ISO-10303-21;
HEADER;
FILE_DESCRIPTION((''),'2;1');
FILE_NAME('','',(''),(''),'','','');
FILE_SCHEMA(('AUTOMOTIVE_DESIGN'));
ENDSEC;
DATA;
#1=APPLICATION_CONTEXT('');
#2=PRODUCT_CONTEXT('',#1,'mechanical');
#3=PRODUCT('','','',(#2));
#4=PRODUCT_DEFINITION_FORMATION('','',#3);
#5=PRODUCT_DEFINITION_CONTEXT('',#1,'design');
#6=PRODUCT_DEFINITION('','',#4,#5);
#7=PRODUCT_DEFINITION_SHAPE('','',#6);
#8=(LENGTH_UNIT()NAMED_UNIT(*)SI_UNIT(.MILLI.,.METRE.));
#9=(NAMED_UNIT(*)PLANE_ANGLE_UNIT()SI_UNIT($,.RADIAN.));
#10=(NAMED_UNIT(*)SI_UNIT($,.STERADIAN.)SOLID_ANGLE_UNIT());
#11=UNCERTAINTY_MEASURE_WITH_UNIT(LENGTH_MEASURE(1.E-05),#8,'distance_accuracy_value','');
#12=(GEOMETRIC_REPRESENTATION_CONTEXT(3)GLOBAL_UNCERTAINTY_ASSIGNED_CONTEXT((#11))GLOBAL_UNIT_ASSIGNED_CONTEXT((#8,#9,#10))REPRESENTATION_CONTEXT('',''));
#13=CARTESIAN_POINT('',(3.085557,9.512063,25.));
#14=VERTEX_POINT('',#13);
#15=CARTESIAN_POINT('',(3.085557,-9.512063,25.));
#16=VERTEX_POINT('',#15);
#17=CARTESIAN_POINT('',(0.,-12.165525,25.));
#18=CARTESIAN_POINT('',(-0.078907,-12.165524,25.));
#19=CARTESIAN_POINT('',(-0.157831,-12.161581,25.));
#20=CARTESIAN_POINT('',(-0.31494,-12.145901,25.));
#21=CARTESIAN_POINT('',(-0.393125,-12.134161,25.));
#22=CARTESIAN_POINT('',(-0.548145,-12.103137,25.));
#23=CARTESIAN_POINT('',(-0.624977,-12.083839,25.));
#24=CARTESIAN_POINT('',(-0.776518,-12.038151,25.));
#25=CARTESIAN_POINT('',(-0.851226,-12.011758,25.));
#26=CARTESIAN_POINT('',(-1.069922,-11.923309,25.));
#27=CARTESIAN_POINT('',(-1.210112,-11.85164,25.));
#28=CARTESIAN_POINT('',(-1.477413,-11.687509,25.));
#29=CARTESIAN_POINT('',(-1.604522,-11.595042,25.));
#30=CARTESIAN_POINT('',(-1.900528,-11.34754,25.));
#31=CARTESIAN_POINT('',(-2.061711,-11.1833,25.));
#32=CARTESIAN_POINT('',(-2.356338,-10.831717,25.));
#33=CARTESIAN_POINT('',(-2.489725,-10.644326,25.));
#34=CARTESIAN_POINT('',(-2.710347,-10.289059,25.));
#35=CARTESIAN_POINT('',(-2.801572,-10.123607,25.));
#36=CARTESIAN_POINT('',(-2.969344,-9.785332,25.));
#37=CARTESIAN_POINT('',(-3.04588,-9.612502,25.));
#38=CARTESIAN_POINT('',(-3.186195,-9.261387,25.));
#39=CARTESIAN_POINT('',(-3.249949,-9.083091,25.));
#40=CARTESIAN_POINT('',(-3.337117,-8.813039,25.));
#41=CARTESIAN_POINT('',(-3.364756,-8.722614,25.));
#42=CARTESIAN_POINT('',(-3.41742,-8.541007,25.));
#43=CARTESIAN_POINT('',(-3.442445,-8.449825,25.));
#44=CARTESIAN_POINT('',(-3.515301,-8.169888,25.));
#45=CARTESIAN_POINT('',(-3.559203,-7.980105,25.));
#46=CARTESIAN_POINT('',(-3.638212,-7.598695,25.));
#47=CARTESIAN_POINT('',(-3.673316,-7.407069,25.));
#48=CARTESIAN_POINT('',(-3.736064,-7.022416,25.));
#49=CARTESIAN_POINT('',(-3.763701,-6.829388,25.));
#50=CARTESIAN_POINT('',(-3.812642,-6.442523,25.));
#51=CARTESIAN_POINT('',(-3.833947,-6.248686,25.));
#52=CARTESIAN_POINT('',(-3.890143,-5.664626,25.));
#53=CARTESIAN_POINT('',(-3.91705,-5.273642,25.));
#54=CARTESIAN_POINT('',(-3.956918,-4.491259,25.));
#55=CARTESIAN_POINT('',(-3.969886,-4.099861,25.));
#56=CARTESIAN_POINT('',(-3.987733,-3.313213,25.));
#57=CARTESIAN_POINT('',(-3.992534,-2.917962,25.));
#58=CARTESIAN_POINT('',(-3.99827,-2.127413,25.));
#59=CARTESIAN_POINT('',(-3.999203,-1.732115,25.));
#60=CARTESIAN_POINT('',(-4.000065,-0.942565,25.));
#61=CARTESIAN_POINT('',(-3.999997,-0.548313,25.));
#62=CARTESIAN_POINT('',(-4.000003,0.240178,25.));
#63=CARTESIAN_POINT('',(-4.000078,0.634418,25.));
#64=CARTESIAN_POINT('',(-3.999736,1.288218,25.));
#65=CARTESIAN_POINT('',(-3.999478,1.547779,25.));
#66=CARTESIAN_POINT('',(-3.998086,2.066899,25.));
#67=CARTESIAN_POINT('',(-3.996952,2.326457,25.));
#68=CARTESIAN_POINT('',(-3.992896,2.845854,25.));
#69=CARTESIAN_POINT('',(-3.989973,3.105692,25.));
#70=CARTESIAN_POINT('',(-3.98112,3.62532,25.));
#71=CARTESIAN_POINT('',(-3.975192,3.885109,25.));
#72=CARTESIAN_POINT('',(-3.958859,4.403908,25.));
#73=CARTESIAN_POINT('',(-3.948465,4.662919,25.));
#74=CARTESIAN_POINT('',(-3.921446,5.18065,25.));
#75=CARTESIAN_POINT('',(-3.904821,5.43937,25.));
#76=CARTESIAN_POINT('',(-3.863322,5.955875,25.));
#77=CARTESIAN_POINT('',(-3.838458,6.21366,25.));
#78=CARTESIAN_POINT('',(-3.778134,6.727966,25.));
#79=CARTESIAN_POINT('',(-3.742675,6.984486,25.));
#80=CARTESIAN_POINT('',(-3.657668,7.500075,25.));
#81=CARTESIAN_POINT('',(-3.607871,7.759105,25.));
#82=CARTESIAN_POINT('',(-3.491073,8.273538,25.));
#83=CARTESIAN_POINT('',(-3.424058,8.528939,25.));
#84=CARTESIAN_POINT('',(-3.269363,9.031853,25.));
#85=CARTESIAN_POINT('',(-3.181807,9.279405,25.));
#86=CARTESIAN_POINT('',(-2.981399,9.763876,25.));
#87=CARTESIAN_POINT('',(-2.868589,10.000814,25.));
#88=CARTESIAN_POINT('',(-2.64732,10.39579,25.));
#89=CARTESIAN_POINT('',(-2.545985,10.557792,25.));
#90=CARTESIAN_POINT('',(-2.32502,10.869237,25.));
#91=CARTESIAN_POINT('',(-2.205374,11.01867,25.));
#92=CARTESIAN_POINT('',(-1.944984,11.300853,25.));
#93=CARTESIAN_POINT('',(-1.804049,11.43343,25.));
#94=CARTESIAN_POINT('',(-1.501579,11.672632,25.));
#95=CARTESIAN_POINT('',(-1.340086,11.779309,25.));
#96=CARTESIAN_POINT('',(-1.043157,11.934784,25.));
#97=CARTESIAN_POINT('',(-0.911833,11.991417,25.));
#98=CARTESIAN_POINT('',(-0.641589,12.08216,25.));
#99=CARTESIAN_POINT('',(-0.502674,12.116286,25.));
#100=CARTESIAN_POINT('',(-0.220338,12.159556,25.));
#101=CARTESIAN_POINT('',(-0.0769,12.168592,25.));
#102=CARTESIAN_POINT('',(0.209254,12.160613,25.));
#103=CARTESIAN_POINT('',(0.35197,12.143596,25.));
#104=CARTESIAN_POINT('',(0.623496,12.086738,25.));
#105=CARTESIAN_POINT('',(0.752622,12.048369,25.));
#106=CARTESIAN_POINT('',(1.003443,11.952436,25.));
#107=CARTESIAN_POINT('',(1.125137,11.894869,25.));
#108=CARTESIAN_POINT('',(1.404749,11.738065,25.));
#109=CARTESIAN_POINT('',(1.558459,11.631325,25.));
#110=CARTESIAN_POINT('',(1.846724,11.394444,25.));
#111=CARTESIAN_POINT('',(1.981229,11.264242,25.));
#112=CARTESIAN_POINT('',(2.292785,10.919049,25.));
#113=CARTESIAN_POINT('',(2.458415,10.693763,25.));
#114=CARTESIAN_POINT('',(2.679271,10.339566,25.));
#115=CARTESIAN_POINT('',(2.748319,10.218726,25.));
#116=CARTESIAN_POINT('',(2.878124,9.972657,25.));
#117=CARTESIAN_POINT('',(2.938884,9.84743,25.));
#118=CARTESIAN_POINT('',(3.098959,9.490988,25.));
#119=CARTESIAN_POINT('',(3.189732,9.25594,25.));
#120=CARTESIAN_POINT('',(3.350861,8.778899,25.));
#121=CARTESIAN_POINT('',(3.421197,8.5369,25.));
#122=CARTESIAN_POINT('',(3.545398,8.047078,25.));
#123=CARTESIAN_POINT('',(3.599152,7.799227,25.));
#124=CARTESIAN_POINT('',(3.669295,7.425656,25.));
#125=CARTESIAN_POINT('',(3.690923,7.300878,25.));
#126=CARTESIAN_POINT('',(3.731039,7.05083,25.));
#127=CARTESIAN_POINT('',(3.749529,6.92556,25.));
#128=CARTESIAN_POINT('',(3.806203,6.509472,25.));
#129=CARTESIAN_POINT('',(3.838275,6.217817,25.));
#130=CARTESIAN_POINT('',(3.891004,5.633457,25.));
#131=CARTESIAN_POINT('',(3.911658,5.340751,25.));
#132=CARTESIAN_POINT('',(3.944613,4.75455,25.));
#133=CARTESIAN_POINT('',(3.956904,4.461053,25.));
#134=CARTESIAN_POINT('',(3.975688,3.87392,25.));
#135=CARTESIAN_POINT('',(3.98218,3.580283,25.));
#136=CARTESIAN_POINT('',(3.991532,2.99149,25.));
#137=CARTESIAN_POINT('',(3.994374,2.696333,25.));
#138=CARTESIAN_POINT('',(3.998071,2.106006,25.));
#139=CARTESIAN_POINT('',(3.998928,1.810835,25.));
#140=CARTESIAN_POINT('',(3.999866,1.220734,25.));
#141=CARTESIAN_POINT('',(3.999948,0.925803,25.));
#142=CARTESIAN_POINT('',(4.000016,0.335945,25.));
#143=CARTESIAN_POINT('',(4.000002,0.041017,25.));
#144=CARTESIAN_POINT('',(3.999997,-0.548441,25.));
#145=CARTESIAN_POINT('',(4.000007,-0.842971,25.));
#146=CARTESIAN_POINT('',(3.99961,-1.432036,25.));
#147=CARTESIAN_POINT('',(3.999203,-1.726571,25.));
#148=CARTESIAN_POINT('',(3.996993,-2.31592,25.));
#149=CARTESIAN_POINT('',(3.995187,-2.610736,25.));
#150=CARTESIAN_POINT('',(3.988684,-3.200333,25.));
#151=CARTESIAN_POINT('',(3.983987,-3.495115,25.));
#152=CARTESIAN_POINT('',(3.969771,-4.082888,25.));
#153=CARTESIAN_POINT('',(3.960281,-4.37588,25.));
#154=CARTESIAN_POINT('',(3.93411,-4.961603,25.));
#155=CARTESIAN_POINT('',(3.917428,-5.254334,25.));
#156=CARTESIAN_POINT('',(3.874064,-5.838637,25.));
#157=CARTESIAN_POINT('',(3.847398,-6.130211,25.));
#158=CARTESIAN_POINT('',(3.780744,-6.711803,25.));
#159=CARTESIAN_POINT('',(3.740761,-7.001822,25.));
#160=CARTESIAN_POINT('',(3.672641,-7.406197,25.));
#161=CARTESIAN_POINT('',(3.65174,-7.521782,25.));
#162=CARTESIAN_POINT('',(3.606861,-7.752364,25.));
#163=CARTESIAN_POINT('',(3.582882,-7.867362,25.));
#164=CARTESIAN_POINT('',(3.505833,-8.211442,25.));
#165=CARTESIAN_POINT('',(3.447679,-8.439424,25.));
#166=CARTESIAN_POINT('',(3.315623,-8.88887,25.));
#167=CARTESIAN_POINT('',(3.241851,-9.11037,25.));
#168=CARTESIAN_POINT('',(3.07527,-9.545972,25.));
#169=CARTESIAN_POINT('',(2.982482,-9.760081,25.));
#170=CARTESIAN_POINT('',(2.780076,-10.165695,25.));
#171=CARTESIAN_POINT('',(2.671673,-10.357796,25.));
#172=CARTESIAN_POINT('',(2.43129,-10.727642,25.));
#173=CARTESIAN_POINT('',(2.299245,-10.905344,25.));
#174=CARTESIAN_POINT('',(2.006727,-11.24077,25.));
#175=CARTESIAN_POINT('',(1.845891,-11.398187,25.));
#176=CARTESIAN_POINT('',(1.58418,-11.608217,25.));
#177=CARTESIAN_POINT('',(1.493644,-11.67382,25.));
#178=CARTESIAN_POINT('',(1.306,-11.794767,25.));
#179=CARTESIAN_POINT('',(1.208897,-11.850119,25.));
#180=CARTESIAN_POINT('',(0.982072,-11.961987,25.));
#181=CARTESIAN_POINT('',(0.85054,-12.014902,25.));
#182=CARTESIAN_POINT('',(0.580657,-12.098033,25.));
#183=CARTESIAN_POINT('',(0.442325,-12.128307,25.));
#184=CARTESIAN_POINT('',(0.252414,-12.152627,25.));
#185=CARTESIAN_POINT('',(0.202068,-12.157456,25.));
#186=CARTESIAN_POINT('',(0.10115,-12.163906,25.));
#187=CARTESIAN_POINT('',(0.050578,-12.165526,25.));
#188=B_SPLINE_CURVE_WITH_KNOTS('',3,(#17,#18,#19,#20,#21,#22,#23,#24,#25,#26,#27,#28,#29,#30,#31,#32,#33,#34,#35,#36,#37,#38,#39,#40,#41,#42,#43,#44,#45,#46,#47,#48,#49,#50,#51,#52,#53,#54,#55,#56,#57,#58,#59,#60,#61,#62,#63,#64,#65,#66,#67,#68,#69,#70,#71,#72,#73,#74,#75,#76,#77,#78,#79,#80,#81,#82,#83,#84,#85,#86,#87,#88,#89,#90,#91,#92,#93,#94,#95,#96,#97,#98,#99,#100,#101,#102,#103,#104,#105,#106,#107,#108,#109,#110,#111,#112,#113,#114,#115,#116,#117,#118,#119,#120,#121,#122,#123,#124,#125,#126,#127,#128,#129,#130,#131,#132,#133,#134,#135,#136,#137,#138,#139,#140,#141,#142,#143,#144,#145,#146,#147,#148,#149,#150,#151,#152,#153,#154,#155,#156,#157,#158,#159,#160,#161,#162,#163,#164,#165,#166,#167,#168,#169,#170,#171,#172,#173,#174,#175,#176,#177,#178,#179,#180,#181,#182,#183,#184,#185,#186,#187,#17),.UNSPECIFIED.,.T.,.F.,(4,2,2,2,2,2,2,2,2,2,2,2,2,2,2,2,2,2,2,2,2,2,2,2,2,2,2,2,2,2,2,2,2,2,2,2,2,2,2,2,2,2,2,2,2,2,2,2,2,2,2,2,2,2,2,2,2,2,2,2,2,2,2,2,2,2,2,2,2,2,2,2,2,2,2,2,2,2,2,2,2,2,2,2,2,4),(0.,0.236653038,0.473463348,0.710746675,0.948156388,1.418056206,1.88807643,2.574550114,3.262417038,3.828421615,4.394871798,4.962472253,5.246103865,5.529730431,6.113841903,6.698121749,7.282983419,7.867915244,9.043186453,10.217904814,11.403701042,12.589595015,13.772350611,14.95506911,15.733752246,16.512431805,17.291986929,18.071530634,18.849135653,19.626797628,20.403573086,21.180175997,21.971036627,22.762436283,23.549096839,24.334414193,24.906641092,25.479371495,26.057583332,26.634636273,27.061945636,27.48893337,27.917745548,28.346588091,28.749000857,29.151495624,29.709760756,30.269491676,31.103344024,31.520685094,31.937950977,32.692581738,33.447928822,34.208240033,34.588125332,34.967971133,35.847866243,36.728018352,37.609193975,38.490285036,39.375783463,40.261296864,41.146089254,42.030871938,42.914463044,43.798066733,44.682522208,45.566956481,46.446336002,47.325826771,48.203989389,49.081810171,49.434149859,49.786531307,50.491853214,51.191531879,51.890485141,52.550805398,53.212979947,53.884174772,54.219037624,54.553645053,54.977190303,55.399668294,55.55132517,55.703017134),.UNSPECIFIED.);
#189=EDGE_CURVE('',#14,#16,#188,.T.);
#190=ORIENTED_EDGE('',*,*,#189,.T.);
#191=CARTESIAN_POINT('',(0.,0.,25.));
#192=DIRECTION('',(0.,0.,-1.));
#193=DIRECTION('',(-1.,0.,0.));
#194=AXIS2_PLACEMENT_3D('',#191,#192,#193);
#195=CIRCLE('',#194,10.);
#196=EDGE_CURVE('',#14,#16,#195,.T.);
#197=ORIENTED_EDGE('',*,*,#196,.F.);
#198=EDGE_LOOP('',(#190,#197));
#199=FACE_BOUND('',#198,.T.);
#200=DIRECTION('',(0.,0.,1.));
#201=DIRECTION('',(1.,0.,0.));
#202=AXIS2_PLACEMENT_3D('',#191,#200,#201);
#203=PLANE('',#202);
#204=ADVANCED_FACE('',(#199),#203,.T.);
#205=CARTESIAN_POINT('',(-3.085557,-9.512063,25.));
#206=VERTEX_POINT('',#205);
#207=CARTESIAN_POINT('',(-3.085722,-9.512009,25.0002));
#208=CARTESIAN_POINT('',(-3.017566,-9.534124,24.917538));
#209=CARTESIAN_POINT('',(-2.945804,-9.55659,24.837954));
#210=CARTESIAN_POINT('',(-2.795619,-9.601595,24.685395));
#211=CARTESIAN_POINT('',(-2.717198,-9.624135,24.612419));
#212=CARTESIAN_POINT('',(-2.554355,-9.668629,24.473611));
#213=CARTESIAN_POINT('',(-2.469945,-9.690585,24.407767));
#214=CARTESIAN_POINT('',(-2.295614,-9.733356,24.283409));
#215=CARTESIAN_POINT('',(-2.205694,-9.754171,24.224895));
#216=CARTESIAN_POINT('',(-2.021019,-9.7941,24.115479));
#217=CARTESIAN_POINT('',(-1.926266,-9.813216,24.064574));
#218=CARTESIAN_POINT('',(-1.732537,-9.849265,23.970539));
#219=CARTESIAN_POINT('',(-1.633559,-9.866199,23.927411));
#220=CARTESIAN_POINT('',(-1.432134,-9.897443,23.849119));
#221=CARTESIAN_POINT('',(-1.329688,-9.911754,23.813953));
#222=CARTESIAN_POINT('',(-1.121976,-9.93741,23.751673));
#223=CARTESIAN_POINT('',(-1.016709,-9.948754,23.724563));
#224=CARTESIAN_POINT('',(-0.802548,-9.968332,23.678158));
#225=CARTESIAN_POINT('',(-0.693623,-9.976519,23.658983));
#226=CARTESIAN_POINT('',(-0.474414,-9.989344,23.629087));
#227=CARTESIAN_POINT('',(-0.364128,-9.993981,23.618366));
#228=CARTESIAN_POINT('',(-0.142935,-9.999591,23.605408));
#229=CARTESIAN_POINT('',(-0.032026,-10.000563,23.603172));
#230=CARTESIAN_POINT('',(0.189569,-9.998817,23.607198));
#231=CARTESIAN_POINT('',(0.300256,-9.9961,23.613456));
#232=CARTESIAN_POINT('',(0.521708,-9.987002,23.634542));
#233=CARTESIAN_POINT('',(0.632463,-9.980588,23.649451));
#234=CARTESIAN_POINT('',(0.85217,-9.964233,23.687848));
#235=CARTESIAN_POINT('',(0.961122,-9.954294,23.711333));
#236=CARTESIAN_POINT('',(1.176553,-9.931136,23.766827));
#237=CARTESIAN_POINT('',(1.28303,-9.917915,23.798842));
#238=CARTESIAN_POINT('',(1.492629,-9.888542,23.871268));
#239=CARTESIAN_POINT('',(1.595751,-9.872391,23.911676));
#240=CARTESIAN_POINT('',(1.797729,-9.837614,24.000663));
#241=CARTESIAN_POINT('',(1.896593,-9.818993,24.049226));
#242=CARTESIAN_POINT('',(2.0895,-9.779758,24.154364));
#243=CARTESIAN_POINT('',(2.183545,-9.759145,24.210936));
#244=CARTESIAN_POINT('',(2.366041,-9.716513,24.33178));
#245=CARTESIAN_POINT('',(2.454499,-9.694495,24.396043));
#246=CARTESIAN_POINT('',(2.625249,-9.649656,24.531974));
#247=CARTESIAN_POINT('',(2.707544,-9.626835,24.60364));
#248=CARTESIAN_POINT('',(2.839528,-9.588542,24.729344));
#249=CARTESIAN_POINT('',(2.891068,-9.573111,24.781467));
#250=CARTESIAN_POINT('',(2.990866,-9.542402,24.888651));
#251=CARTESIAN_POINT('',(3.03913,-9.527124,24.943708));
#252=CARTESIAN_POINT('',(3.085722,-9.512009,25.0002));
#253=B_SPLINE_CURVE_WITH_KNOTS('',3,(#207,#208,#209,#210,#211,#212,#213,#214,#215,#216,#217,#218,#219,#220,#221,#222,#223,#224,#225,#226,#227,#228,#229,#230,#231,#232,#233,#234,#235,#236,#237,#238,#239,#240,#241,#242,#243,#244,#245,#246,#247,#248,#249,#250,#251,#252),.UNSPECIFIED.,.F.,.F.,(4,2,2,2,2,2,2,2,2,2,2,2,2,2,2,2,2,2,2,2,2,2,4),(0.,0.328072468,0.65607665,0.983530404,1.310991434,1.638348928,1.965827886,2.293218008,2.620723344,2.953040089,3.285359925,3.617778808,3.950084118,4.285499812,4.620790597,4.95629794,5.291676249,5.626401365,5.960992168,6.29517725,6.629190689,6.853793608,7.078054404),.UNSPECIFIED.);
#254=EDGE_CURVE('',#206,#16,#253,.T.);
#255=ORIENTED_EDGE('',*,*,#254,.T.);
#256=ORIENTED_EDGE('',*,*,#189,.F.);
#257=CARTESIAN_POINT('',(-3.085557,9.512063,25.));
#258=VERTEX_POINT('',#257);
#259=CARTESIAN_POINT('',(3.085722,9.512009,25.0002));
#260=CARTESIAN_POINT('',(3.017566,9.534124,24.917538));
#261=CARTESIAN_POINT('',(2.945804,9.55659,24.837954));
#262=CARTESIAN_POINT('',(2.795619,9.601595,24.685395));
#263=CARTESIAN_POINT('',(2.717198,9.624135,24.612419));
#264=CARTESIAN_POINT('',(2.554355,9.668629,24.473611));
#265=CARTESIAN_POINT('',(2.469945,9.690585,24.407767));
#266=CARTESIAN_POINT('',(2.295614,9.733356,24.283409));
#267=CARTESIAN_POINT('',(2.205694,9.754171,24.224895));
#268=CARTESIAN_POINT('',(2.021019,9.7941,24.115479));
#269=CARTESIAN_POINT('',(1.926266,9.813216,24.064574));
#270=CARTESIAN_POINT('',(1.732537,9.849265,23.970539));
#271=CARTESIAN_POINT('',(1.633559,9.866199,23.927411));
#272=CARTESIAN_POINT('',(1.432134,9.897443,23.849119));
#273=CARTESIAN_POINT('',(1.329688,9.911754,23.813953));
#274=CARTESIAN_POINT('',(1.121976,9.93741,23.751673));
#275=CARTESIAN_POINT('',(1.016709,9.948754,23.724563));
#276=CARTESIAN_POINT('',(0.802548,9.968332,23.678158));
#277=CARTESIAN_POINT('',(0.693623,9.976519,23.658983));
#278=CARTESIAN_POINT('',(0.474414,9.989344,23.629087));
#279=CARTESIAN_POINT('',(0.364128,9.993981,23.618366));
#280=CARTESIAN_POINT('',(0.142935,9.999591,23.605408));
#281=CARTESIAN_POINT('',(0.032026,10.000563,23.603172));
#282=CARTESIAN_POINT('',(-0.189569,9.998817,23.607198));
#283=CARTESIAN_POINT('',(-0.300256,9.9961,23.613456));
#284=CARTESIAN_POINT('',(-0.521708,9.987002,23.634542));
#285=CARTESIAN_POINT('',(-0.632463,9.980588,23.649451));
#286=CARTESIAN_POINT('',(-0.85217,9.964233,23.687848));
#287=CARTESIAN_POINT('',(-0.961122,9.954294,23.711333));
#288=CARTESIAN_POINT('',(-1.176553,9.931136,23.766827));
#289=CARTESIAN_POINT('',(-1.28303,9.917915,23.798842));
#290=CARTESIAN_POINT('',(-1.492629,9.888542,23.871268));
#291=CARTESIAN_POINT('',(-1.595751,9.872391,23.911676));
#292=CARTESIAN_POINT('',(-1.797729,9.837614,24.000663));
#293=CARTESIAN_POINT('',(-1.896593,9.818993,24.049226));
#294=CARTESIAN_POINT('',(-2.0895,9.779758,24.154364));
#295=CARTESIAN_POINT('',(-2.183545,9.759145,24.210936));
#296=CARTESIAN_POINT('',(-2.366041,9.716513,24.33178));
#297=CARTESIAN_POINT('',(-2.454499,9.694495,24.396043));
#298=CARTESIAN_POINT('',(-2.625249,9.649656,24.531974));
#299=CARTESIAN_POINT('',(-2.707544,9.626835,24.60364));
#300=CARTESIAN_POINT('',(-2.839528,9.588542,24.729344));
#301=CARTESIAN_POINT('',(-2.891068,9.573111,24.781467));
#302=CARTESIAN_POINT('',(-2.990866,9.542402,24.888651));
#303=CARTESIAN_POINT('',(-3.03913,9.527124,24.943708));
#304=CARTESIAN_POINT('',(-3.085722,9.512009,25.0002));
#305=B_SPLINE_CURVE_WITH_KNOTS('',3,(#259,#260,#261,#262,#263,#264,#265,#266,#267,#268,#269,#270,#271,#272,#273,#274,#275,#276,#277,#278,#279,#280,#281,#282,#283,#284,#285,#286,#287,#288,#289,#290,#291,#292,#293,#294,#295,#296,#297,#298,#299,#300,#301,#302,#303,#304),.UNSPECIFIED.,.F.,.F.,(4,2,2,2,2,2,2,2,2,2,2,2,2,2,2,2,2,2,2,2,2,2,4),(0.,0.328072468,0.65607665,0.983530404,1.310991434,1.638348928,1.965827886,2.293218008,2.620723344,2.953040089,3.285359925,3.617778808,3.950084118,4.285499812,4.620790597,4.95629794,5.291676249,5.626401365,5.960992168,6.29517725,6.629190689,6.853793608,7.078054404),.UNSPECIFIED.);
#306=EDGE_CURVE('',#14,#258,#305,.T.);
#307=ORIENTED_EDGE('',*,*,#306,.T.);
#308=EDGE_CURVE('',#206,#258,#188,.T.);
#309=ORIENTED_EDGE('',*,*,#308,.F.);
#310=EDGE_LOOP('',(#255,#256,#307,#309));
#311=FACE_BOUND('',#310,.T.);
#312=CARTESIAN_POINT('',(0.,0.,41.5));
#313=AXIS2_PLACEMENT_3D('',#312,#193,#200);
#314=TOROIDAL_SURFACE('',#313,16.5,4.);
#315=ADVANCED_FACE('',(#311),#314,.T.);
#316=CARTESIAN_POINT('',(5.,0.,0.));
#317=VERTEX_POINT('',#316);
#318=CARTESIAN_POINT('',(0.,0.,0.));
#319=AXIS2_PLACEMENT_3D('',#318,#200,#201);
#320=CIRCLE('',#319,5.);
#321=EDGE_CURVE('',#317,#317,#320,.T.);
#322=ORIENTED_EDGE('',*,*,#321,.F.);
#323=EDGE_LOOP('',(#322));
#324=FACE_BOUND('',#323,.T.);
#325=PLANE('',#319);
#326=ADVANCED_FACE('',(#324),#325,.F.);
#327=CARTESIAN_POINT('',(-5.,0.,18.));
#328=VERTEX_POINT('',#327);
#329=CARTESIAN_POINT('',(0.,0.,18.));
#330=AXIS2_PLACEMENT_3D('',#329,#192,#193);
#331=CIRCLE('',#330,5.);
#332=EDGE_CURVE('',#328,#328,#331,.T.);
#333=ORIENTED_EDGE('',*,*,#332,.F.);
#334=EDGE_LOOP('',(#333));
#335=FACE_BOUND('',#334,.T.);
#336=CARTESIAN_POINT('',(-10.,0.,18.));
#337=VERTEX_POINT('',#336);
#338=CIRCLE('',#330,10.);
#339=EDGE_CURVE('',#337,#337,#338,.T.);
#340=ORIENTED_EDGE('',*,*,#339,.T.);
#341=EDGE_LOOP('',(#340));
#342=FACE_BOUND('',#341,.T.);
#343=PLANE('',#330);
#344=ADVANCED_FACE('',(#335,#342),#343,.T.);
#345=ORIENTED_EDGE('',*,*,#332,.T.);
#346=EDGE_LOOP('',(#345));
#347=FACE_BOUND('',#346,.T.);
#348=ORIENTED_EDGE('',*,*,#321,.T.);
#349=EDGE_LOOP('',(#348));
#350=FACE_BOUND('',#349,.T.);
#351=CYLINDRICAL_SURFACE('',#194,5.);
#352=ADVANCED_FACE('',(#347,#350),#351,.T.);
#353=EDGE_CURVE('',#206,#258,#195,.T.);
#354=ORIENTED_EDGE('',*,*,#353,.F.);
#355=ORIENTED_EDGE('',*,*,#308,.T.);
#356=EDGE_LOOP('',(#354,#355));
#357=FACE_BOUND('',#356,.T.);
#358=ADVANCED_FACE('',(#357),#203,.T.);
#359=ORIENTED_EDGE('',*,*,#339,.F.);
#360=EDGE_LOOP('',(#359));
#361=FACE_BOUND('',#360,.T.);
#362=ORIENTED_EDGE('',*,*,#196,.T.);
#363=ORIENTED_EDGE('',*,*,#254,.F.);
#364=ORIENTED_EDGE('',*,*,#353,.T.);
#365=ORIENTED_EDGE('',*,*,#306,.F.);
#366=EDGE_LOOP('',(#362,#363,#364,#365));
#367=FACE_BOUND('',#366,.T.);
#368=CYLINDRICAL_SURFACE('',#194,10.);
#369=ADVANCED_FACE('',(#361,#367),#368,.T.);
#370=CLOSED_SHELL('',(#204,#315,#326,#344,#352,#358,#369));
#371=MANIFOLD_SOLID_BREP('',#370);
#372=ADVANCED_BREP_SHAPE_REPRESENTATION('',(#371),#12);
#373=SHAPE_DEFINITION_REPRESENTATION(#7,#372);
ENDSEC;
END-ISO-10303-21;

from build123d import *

# Parameters (mm, degrees)
SKETCH_1_R      = 5
EXTRUDE_1_DEPTH = 25
SKETCH_2_R      = 4
SKETCH_4_R      = 10
EXTRUDE_2_DEPTH = 7


with BuildPart() as part:
    # ｽｹｯﾁ1 → ﾎﾞｽ - 押し出し1 (new body)
    with BuildSketch(Plane.XY):
        Circle(SKETCH_1_R)
    extrude(amount=EXTRUDE_1_DEPTH)

    # ｽｲｰﾌﾟ1: sweep along a path in ｽｹｯﾁ3
    with BuildLine(Plane(origin=(0, 0, 0), x_dir=(0, 0, -1), z_dir=(1, 0, 0))) as sweep_1_path:
        CenterArc((-41.5, 0), 16.5, 0, 360)
    # ｽｹｯﾁ2 → ｽｲｰﾌﾟ1 (sweep)
    with BuildSketch(Plane(origin=(0, 0, 0), x_dir=(1, 0, 0), z_dir=(0, 1, 0))):
        with Locations((0, -25)):
            Circle(SKETCH_2_R)
    sweep(path=sweep_1_path.line)

    # ｽｹｯﾁ4 → ﾎﾞｽ - 押し出し2 (add)
    with BuildSketch(Plane(origin=(0, 0, 18), x_dir=(-1, 0, 0), z_dir=(0, 0, -1))):
        Circle(SKETCH_4_R)
    extrude(amount=-EXTRUDE_2_DEPTH)


solid = part.part
